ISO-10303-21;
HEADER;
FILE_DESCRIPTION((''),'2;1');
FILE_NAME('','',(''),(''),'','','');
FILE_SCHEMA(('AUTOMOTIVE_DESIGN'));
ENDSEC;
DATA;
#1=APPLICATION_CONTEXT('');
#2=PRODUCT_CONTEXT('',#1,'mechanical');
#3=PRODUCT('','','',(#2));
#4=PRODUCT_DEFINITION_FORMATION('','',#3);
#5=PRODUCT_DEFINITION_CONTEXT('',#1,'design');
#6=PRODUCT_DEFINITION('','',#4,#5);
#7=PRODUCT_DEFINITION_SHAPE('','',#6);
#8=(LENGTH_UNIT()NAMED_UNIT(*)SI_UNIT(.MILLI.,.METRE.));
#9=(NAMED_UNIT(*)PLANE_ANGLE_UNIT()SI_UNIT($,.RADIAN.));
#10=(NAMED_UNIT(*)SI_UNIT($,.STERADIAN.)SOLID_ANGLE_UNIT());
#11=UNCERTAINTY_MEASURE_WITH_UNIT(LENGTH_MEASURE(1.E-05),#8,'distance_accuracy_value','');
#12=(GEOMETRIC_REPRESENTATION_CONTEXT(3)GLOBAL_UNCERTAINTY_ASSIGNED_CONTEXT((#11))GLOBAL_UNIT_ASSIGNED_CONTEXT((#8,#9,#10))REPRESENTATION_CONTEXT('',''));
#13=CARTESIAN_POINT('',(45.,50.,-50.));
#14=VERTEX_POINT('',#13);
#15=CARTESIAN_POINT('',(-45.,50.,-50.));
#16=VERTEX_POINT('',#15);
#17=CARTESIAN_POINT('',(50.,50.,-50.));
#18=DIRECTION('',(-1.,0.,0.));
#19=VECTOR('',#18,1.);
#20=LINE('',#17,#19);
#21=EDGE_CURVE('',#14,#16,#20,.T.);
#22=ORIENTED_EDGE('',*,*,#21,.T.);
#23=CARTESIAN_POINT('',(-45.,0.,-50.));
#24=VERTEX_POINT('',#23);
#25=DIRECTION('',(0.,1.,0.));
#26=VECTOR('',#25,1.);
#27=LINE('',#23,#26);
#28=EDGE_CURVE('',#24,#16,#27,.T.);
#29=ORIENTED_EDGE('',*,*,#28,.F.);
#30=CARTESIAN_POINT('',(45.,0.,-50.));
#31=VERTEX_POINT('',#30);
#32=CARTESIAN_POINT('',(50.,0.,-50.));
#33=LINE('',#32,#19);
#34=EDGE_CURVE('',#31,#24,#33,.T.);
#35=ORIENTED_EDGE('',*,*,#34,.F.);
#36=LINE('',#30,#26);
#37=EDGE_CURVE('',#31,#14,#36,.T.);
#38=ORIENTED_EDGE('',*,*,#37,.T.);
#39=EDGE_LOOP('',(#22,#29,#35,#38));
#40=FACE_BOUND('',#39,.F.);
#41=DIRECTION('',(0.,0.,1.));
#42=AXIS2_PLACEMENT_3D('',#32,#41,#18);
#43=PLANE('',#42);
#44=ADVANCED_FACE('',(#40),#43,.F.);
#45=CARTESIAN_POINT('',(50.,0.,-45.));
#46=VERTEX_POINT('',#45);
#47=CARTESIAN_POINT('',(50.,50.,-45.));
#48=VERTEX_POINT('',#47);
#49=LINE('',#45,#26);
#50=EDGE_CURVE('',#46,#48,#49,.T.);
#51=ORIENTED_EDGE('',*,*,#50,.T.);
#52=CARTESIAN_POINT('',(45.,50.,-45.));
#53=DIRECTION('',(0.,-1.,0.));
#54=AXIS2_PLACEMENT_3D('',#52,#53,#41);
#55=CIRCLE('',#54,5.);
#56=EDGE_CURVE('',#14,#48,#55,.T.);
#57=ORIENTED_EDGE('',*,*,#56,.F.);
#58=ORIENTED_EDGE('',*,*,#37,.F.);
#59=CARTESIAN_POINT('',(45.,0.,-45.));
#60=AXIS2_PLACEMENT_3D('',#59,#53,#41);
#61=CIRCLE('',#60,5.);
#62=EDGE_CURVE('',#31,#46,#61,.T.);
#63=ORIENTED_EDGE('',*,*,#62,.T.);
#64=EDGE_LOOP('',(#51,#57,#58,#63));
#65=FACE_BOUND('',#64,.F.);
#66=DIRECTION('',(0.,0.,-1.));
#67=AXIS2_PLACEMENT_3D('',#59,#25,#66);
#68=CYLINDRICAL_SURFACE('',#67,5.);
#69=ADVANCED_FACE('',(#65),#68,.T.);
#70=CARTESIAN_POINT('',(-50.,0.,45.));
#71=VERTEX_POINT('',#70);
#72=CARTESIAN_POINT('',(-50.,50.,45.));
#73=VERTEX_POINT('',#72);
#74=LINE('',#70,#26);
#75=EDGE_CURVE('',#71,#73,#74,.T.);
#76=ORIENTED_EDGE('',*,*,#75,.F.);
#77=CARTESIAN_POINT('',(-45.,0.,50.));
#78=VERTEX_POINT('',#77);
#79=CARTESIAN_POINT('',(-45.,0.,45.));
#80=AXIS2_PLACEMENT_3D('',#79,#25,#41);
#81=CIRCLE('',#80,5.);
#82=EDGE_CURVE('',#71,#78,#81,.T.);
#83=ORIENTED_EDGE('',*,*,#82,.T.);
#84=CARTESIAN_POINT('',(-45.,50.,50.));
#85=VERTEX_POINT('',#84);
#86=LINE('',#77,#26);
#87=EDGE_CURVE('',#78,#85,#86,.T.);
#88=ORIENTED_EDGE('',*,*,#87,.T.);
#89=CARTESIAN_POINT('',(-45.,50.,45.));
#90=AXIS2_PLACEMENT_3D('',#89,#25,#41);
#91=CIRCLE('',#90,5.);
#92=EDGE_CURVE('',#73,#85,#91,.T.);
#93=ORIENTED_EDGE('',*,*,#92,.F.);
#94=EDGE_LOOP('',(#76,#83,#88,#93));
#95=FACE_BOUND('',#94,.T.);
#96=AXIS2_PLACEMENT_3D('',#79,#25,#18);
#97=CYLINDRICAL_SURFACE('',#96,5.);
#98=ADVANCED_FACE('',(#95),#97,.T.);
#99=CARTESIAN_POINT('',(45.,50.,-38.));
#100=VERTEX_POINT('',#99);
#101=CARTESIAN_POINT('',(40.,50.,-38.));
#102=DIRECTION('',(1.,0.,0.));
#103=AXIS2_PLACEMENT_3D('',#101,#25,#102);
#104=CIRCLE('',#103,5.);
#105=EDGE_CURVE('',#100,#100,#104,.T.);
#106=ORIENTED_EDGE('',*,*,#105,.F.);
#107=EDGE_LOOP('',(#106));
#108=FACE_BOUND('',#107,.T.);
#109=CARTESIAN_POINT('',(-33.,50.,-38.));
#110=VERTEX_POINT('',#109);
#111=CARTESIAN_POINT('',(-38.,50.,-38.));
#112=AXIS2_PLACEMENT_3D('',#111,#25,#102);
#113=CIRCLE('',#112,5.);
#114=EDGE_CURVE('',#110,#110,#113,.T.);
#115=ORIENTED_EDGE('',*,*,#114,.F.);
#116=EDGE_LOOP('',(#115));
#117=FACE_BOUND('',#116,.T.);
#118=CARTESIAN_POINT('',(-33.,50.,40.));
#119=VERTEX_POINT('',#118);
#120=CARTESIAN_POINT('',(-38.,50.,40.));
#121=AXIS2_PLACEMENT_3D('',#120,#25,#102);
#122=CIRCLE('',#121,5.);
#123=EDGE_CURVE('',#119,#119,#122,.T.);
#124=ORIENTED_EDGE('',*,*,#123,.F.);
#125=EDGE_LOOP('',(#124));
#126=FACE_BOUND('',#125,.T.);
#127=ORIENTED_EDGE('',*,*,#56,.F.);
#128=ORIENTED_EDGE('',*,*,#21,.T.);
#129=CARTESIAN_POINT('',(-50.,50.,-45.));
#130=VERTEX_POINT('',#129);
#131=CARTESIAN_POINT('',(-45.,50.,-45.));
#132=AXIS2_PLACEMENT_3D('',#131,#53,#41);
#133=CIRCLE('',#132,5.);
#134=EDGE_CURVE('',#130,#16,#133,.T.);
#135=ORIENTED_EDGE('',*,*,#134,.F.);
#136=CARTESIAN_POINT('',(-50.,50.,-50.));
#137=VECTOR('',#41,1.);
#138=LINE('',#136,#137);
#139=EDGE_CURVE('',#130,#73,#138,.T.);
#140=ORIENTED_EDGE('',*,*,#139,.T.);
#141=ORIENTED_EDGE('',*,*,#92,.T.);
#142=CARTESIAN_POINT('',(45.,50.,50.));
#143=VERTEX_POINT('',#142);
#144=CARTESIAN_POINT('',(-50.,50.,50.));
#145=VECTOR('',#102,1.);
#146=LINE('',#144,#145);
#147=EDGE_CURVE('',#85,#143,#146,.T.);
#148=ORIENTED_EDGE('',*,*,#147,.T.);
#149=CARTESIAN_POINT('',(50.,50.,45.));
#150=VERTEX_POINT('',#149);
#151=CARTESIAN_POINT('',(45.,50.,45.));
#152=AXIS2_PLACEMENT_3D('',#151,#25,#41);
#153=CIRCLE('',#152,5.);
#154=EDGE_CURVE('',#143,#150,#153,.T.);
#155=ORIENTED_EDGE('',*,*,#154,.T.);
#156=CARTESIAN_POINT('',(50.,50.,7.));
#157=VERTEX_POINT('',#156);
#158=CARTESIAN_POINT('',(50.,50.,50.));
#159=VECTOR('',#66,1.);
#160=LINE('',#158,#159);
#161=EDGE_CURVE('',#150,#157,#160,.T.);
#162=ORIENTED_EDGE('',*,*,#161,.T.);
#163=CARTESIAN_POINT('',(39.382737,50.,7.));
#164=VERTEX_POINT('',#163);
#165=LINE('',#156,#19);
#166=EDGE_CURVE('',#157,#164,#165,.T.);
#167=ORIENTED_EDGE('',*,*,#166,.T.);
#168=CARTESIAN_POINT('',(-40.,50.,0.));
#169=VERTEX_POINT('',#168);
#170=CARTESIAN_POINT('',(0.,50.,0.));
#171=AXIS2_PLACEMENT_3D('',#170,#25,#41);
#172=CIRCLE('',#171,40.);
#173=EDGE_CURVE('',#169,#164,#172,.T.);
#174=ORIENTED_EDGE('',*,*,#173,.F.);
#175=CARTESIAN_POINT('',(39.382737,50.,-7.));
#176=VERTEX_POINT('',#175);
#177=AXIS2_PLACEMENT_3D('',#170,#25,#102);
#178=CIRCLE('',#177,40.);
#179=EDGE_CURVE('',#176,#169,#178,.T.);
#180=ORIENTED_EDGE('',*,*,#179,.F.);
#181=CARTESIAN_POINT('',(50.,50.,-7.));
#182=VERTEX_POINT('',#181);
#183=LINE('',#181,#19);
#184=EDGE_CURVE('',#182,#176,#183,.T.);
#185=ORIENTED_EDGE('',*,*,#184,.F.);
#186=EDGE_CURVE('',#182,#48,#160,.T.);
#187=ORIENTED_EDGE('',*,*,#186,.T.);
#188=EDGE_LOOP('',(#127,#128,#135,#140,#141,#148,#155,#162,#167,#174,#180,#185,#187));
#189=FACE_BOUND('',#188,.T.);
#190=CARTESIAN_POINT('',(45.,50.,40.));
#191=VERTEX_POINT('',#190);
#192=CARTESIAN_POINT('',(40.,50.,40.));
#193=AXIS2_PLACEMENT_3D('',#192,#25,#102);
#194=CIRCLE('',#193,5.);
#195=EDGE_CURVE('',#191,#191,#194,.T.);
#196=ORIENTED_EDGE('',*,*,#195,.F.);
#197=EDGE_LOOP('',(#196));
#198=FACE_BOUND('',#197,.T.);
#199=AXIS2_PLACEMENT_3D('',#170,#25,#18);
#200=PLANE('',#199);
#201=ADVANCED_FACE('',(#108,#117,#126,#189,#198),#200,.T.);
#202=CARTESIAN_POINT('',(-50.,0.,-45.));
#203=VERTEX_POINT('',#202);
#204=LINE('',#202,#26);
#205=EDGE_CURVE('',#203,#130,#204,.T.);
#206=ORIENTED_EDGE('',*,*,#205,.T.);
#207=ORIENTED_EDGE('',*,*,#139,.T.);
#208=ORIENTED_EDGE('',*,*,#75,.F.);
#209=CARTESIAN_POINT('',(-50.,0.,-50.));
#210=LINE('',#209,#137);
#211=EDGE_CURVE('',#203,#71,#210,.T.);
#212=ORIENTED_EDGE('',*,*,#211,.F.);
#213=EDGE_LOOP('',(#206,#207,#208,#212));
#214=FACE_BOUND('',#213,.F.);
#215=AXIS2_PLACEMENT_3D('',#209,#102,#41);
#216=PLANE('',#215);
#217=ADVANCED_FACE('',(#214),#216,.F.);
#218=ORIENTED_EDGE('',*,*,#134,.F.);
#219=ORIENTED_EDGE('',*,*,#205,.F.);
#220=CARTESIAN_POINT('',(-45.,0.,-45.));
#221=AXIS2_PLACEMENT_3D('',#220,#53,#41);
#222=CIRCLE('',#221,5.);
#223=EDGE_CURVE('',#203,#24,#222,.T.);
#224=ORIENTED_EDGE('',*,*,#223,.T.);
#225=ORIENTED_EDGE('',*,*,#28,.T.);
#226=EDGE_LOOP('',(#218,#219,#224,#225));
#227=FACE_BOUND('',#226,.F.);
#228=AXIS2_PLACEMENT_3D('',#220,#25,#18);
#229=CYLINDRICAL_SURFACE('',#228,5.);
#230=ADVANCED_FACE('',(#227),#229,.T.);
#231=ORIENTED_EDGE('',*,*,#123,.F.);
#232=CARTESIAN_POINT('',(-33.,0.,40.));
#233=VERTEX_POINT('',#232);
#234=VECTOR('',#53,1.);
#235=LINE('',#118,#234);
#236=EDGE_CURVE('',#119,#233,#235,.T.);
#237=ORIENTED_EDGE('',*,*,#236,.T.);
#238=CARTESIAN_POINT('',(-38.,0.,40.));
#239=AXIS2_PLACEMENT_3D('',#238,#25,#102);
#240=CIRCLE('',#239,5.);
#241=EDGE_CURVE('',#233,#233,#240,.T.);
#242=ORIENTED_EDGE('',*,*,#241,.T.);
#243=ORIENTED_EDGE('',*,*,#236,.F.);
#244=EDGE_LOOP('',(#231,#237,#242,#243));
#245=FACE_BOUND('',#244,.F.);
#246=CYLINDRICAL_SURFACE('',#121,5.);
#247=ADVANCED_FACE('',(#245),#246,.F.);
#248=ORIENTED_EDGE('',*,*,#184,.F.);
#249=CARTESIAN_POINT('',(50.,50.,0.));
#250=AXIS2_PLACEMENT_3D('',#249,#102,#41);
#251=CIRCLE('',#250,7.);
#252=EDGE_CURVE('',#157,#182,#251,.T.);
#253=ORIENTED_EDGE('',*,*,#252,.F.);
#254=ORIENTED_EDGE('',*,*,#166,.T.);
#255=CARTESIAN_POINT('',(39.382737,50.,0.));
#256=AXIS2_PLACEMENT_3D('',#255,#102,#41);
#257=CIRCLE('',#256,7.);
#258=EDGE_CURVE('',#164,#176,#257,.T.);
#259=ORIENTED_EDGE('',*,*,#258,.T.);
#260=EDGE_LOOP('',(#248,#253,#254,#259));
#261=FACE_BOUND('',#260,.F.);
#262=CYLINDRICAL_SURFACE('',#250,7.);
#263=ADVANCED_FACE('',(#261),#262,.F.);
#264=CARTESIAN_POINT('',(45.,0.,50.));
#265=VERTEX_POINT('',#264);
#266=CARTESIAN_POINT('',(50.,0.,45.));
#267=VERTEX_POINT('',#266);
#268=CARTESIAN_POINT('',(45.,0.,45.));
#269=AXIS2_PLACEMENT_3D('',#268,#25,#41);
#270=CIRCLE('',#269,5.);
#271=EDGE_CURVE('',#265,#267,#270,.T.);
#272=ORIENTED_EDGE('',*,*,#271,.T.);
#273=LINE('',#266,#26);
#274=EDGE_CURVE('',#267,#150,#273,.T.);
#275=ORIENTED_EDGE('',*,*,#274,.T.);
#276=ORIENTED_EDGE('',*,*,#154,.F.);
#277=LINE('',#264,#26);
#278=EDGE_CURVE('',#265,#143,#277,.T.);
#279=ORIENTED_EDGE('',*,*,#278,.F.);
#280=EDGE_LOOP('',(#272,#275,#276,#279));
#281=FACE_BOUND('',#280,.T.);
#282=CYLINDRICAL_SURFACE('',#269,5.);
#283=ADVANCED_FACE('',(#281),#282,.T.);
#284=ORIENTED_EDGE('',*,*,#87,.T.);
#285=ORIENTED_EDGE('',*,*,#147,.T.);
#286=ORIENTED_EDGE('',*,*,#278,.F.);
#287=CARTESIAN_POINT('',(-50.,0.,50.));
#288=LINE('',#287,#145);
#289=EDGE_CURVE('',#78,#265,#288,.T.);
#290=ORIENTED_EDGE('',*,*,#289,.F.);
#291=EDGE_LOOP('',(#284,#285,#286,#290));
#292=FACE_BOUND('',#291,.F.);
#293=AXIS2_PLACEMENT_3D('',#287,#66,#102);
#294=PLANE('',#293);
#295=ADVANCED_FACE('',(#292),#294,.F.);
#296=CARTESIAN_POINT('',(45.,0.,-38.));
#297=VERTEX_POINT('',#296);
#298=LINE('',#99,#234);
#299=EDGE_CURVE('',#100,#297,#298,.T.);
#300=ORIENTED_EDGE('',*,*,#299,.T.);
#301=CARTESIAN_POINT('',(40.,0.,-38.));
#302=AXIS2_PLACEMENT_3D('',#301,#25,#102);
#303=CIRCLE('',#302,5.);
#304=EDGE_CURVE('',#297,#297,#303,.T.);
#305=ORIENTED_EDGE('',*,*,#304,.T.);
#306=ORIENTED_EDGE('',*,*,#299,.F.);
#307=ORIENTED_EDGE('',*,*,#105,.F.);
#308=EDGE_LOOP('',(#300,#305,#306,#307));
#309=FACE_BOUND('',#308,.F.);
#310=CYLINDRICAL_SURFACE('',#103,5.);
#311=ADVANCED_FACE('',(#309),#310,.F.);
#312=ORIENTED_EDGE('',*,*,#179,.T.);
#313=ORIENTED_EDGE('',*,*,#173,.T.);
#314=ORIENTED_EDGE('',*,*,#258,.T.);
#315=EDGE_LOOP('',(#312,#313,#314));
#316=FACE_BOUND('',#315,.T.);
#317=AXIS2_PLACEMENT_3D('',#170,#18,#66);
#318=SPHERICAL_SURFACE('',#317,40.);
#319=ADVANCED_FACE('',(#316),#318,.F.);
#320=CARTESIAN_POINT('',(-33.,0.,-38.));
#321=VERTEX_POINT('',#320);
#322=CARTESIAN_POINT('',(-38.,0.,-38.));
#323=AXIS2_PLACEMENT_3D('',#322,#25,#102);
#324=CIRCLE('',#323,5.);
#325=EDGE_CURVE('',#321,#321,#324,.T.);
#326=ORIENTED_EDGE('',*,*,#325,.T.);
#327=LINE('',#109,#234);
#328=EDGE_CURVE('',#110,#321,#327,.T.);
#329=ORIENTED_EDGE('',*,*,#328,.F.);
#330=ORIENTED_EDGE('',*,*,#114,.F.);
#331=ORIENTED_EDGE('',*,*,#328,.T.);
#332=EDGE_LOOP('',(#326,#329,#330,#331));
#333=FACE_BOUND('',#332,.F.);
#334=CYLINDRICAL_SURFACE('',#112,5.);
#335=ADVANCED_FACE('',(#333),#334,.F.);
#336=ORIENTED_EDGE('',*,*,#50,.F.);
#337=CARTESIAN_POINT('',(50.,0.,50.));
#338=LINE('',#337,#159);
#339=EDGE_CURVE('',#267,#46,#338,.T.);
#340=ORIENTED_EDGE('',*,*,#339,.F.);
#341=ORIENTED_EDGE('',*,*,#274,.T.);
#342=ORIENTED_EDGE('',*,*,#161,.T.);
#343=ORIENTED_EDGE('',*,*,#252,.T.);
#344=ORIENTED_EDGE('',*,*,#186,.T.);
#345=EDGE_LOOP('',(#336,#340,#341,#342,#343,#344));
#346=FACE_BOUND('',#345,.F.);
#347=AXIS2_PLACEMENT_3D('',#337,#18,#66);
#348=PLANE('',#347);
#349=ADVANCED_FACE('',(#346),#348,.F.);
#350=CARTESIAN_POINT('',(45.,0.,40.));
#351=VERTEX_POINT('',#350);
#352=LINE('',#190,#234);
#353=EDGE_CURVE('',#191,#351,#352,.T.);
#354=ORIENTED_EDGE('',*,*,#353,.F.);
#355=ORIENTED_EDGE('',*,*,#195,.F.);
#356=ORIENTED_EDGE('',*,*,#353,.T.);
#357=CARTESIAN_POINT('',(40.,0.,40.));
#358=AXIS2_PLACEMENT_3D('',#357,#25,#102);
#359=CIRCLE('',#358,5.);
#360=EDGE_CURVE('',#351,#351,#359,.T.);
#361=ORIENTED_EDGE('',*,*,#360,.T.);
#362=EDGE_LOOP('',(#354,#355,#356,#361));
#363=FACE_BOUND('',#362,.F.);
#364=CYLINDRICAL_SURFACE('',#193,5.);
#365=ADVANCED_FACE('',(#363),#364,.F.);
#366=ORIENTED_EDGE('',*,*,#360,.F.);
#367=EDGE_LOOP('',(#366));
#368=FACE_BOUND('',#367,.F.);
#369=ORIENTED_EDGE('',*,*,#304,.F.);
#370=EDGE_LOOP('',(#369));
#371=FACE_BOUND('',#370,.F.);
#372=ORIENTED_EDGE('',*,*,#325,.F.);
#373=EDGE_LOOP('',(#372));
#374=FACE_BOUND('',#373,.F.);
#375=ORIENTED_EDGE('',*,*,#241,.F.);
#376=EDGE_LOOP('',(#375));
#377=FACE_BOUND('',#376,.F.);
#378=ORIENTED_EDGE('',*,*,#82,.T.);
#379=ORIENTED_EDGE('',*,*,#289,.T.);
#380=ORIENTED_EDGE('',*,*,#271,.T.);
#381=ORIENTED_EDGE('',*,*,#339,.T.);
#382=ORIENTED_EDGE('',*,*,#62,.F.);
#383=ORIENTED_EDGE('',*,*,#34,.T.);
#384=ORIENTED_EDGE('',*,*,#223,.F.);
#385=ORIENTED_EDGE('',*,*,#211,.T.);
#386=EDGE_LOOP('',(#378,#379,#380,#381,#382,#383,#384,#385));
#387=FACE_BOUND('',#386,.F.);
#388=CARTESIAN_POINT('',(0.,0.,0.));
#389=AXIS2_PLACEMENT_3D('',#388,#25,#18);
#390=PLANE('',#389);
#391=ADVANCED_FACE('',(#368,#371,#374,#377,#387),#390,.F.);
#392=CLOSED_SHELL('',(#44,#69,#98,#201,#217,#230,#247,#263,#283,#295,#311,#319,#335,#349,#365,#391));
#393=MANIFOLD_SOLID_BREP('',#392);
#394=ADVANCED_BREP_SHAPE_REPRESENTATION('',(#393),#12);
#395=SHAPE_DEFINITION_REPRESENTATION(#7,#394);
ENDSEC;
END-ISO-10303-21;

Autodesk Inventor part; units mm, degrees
ref_plane "YZ Plane" through (0, 0, 0) normal (1, 0, 0) x (0, 1, 0)
ref_plane "XZ Plane" through (0, 0, 0) normal (0, 1, 0) x (-1, 0, 0)
ref_plane "XY Plane" through (0, 0, 0) normal (0, 0, 1) x (1, 0, 0)
sketch "Sketch1" plane through (0, 0, 0) normal (0, 1, 0) x (-1, 0, 0)
  line L0 (50, 50) -> (-50, 50)
  line L1 (-50, 50) -> (-50, -50)
  line L2 (-50, -50) -> (50, -50)
  line L3 (50, -50) -> (50, 50)
  point P0 (0, 0)
  point P1 (50, 0)
  point P2 (0, 50)
  dimension "d0" = 100
  dimension "d1" = 100
extrude "Extrusion1" add sketch "Sketch1" along normal blind 50
sketch "Sketch2" plane through (0, 50, 0) normal (0, 1, 0) x (1, 0, 0)
  line L0 (50, -50) -> (50, 50) construction
  line L1 (50, 50) -> (-50, 50) construction
  line L2 (-50, 50) -> (-50, -50) construction
  line L3 (-50, -50) -> (50, -50) construction
  line L4 (-50, 50) -> (-50, -50) construction
  line L5 (-50, 0) -> (50, 0) construction
  line L6 (50, -50) -> (50, 50) construction
  arc A0 (40, 0) -> (-40, 0) centre (0, 0) ccw
  line L7 (-40, 0) -> (40, 0) construction
  line L8 (-40, 0) -> (40, 0)
  dimension "d4" = 80
revolve "Revolution1" cut sketch "Sketch2" angle 360 about axis through (-50, 50, 0) along (1, 0, 0)
sketch "Sketch3" plane through (0, 50, 0) normal (0, 1, 0) x (1, 0, 0)
  circle A0 centre (0, 0) radius 40 construction
  line L0 (50, -50) -> (50, 50) construction
  line L1 (50, 50) -> (-50, 50) construction
  line L2 (-50, 50) -> (-50, -50) construction
  line L3 (-50, -50) -> (50, -50) construction
  circle A1 centre (-38, 38) radius 5
  line L4 (50, 50) -> (-50, 50) construction
  line L5 (0, 50) -> (0, 0) construction
  line L6 (0, 0) -> (50, 0) construction
  line L7 (50, -50) -> (50, 50) construction
  dimension "d6" = 10
  dimension "d7" = 12
  dimension "d8" = 12
extrude "Extrusion2" cut sketch "Sketch3" against normal blind 50
pattern_linear "Rectangular Pattern1" count 2 spacing 78 along (1, 0, 0) count 2 spacing 78 along (0, 0, 1) of "Extrusion2"
sketch "Sketch4" plane through (50, 0, 50) normal (1, 0, 0) x (0, 0, -1)
  line L0 (0, 0) -> (100, 0) construction
  line L1 (100, 0) -> (100, 50) construction
  line L2 (0, 50) -> (100, 50) construction
  line L3 (0, 0) -> (0, 50) construction
  arc A0 (43, 50) -> (57, 50) centre (50, 50) ccw
  line L4 (57, 50) -> (43, 50)
  line L5 (0, 50) -> (100, 50) projected
  point P0 (50, 0)
  dimension "d17" = 7
extrude "Extrusion3" cut sketch "Sketch4" against normal up to surface
fillet "Fillet1" radius 5 4 edges at (-50, 25, 50) (50, 25, 50) (50, 25, -50) (-50, 25, -50)
properties part number "molde1-01"
